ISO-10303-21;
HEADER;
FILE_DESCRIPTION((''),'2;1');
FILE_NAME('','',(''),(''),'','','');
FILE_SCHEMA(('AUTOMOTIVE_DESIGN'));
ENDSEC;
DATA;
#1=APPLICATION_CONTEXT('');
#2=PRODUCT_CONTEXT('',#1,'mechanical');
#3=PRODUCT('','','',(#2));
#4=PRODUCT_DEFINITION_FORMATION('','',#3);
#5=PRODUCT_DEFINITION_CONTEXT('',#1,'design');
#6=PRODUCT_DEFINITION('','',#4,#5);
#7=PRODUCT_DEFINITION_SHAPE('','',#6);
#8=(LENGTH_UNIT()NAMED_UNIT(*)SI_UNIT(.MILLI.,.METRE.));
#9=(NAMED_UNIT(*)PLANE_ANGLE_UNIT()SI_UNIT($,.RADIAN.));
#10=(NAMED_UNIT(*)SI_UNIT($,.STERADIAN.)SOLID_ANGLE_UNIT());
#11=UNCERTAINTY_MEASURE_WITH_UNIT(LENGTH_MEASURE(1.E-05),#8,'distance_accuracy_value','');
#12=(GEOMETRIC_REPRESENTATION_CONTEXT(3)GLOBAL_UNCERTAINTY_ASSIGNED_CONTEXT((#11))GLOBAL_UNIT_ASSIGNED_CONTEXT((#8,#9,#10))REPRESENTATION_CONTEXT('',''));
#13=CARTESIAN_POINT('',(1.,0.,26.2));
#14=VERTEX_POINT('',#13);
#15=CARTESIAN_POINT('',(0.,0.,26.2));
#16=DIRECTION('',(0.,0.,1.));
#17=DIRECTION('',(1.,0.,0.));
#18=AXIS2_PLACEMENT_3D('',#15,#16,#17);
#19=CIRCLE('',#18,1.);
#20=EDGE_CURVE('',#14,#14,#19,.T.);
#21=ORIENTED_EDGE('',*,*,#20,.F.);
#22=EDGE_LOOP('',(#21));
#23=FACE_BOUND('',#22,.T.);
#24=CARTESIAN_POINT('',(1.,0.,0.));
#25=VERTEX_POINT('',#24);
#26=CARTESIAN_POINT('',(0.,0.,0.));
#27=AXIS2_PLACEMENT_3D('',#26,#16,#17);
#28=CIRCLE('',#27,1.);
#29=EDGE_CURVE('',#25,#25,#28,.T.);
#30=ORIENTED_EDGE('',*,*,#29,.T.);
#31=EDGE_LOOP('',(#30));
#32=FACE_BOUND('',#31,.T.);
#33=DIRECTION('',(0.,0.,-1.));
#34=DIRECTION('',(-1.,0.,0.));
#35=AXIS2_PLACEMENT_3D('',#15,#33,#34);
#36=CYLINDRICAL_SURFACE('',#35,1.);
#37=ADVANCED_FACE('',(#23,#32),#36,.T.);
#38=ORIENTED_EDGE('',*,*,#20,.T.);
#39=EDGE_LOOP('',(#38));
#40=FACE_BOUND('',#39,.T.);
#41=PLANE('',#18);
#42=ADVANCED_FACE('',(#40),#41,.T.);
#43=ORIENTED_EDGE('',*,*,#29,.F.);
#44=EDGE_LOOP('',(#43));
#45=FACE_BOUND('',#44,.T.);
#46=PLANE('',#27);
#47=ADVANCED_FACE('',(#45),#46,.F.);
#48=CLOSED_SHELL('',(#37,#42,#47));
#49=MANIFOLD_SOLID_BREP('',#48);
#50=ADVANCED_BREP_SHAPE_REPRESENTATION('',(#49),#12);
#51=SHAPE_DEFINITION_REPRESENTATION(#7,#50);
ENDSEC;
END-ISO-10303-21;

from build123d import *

# Parameters (mm, degrees)
SKICA1_R                = 1
P_IDAT_VYSUNUT_M1_DEPTH = 26.2


with BuildPart() as part:
    # Skica1 → Přidat vysunutím1 (new body)
    with BuildSketch(Plane.XY):
        Circle(SKICA1_R)
    extrude(amount=P_IDAT_VYSUNUT_M1_DEPTH)


solid = part.part
